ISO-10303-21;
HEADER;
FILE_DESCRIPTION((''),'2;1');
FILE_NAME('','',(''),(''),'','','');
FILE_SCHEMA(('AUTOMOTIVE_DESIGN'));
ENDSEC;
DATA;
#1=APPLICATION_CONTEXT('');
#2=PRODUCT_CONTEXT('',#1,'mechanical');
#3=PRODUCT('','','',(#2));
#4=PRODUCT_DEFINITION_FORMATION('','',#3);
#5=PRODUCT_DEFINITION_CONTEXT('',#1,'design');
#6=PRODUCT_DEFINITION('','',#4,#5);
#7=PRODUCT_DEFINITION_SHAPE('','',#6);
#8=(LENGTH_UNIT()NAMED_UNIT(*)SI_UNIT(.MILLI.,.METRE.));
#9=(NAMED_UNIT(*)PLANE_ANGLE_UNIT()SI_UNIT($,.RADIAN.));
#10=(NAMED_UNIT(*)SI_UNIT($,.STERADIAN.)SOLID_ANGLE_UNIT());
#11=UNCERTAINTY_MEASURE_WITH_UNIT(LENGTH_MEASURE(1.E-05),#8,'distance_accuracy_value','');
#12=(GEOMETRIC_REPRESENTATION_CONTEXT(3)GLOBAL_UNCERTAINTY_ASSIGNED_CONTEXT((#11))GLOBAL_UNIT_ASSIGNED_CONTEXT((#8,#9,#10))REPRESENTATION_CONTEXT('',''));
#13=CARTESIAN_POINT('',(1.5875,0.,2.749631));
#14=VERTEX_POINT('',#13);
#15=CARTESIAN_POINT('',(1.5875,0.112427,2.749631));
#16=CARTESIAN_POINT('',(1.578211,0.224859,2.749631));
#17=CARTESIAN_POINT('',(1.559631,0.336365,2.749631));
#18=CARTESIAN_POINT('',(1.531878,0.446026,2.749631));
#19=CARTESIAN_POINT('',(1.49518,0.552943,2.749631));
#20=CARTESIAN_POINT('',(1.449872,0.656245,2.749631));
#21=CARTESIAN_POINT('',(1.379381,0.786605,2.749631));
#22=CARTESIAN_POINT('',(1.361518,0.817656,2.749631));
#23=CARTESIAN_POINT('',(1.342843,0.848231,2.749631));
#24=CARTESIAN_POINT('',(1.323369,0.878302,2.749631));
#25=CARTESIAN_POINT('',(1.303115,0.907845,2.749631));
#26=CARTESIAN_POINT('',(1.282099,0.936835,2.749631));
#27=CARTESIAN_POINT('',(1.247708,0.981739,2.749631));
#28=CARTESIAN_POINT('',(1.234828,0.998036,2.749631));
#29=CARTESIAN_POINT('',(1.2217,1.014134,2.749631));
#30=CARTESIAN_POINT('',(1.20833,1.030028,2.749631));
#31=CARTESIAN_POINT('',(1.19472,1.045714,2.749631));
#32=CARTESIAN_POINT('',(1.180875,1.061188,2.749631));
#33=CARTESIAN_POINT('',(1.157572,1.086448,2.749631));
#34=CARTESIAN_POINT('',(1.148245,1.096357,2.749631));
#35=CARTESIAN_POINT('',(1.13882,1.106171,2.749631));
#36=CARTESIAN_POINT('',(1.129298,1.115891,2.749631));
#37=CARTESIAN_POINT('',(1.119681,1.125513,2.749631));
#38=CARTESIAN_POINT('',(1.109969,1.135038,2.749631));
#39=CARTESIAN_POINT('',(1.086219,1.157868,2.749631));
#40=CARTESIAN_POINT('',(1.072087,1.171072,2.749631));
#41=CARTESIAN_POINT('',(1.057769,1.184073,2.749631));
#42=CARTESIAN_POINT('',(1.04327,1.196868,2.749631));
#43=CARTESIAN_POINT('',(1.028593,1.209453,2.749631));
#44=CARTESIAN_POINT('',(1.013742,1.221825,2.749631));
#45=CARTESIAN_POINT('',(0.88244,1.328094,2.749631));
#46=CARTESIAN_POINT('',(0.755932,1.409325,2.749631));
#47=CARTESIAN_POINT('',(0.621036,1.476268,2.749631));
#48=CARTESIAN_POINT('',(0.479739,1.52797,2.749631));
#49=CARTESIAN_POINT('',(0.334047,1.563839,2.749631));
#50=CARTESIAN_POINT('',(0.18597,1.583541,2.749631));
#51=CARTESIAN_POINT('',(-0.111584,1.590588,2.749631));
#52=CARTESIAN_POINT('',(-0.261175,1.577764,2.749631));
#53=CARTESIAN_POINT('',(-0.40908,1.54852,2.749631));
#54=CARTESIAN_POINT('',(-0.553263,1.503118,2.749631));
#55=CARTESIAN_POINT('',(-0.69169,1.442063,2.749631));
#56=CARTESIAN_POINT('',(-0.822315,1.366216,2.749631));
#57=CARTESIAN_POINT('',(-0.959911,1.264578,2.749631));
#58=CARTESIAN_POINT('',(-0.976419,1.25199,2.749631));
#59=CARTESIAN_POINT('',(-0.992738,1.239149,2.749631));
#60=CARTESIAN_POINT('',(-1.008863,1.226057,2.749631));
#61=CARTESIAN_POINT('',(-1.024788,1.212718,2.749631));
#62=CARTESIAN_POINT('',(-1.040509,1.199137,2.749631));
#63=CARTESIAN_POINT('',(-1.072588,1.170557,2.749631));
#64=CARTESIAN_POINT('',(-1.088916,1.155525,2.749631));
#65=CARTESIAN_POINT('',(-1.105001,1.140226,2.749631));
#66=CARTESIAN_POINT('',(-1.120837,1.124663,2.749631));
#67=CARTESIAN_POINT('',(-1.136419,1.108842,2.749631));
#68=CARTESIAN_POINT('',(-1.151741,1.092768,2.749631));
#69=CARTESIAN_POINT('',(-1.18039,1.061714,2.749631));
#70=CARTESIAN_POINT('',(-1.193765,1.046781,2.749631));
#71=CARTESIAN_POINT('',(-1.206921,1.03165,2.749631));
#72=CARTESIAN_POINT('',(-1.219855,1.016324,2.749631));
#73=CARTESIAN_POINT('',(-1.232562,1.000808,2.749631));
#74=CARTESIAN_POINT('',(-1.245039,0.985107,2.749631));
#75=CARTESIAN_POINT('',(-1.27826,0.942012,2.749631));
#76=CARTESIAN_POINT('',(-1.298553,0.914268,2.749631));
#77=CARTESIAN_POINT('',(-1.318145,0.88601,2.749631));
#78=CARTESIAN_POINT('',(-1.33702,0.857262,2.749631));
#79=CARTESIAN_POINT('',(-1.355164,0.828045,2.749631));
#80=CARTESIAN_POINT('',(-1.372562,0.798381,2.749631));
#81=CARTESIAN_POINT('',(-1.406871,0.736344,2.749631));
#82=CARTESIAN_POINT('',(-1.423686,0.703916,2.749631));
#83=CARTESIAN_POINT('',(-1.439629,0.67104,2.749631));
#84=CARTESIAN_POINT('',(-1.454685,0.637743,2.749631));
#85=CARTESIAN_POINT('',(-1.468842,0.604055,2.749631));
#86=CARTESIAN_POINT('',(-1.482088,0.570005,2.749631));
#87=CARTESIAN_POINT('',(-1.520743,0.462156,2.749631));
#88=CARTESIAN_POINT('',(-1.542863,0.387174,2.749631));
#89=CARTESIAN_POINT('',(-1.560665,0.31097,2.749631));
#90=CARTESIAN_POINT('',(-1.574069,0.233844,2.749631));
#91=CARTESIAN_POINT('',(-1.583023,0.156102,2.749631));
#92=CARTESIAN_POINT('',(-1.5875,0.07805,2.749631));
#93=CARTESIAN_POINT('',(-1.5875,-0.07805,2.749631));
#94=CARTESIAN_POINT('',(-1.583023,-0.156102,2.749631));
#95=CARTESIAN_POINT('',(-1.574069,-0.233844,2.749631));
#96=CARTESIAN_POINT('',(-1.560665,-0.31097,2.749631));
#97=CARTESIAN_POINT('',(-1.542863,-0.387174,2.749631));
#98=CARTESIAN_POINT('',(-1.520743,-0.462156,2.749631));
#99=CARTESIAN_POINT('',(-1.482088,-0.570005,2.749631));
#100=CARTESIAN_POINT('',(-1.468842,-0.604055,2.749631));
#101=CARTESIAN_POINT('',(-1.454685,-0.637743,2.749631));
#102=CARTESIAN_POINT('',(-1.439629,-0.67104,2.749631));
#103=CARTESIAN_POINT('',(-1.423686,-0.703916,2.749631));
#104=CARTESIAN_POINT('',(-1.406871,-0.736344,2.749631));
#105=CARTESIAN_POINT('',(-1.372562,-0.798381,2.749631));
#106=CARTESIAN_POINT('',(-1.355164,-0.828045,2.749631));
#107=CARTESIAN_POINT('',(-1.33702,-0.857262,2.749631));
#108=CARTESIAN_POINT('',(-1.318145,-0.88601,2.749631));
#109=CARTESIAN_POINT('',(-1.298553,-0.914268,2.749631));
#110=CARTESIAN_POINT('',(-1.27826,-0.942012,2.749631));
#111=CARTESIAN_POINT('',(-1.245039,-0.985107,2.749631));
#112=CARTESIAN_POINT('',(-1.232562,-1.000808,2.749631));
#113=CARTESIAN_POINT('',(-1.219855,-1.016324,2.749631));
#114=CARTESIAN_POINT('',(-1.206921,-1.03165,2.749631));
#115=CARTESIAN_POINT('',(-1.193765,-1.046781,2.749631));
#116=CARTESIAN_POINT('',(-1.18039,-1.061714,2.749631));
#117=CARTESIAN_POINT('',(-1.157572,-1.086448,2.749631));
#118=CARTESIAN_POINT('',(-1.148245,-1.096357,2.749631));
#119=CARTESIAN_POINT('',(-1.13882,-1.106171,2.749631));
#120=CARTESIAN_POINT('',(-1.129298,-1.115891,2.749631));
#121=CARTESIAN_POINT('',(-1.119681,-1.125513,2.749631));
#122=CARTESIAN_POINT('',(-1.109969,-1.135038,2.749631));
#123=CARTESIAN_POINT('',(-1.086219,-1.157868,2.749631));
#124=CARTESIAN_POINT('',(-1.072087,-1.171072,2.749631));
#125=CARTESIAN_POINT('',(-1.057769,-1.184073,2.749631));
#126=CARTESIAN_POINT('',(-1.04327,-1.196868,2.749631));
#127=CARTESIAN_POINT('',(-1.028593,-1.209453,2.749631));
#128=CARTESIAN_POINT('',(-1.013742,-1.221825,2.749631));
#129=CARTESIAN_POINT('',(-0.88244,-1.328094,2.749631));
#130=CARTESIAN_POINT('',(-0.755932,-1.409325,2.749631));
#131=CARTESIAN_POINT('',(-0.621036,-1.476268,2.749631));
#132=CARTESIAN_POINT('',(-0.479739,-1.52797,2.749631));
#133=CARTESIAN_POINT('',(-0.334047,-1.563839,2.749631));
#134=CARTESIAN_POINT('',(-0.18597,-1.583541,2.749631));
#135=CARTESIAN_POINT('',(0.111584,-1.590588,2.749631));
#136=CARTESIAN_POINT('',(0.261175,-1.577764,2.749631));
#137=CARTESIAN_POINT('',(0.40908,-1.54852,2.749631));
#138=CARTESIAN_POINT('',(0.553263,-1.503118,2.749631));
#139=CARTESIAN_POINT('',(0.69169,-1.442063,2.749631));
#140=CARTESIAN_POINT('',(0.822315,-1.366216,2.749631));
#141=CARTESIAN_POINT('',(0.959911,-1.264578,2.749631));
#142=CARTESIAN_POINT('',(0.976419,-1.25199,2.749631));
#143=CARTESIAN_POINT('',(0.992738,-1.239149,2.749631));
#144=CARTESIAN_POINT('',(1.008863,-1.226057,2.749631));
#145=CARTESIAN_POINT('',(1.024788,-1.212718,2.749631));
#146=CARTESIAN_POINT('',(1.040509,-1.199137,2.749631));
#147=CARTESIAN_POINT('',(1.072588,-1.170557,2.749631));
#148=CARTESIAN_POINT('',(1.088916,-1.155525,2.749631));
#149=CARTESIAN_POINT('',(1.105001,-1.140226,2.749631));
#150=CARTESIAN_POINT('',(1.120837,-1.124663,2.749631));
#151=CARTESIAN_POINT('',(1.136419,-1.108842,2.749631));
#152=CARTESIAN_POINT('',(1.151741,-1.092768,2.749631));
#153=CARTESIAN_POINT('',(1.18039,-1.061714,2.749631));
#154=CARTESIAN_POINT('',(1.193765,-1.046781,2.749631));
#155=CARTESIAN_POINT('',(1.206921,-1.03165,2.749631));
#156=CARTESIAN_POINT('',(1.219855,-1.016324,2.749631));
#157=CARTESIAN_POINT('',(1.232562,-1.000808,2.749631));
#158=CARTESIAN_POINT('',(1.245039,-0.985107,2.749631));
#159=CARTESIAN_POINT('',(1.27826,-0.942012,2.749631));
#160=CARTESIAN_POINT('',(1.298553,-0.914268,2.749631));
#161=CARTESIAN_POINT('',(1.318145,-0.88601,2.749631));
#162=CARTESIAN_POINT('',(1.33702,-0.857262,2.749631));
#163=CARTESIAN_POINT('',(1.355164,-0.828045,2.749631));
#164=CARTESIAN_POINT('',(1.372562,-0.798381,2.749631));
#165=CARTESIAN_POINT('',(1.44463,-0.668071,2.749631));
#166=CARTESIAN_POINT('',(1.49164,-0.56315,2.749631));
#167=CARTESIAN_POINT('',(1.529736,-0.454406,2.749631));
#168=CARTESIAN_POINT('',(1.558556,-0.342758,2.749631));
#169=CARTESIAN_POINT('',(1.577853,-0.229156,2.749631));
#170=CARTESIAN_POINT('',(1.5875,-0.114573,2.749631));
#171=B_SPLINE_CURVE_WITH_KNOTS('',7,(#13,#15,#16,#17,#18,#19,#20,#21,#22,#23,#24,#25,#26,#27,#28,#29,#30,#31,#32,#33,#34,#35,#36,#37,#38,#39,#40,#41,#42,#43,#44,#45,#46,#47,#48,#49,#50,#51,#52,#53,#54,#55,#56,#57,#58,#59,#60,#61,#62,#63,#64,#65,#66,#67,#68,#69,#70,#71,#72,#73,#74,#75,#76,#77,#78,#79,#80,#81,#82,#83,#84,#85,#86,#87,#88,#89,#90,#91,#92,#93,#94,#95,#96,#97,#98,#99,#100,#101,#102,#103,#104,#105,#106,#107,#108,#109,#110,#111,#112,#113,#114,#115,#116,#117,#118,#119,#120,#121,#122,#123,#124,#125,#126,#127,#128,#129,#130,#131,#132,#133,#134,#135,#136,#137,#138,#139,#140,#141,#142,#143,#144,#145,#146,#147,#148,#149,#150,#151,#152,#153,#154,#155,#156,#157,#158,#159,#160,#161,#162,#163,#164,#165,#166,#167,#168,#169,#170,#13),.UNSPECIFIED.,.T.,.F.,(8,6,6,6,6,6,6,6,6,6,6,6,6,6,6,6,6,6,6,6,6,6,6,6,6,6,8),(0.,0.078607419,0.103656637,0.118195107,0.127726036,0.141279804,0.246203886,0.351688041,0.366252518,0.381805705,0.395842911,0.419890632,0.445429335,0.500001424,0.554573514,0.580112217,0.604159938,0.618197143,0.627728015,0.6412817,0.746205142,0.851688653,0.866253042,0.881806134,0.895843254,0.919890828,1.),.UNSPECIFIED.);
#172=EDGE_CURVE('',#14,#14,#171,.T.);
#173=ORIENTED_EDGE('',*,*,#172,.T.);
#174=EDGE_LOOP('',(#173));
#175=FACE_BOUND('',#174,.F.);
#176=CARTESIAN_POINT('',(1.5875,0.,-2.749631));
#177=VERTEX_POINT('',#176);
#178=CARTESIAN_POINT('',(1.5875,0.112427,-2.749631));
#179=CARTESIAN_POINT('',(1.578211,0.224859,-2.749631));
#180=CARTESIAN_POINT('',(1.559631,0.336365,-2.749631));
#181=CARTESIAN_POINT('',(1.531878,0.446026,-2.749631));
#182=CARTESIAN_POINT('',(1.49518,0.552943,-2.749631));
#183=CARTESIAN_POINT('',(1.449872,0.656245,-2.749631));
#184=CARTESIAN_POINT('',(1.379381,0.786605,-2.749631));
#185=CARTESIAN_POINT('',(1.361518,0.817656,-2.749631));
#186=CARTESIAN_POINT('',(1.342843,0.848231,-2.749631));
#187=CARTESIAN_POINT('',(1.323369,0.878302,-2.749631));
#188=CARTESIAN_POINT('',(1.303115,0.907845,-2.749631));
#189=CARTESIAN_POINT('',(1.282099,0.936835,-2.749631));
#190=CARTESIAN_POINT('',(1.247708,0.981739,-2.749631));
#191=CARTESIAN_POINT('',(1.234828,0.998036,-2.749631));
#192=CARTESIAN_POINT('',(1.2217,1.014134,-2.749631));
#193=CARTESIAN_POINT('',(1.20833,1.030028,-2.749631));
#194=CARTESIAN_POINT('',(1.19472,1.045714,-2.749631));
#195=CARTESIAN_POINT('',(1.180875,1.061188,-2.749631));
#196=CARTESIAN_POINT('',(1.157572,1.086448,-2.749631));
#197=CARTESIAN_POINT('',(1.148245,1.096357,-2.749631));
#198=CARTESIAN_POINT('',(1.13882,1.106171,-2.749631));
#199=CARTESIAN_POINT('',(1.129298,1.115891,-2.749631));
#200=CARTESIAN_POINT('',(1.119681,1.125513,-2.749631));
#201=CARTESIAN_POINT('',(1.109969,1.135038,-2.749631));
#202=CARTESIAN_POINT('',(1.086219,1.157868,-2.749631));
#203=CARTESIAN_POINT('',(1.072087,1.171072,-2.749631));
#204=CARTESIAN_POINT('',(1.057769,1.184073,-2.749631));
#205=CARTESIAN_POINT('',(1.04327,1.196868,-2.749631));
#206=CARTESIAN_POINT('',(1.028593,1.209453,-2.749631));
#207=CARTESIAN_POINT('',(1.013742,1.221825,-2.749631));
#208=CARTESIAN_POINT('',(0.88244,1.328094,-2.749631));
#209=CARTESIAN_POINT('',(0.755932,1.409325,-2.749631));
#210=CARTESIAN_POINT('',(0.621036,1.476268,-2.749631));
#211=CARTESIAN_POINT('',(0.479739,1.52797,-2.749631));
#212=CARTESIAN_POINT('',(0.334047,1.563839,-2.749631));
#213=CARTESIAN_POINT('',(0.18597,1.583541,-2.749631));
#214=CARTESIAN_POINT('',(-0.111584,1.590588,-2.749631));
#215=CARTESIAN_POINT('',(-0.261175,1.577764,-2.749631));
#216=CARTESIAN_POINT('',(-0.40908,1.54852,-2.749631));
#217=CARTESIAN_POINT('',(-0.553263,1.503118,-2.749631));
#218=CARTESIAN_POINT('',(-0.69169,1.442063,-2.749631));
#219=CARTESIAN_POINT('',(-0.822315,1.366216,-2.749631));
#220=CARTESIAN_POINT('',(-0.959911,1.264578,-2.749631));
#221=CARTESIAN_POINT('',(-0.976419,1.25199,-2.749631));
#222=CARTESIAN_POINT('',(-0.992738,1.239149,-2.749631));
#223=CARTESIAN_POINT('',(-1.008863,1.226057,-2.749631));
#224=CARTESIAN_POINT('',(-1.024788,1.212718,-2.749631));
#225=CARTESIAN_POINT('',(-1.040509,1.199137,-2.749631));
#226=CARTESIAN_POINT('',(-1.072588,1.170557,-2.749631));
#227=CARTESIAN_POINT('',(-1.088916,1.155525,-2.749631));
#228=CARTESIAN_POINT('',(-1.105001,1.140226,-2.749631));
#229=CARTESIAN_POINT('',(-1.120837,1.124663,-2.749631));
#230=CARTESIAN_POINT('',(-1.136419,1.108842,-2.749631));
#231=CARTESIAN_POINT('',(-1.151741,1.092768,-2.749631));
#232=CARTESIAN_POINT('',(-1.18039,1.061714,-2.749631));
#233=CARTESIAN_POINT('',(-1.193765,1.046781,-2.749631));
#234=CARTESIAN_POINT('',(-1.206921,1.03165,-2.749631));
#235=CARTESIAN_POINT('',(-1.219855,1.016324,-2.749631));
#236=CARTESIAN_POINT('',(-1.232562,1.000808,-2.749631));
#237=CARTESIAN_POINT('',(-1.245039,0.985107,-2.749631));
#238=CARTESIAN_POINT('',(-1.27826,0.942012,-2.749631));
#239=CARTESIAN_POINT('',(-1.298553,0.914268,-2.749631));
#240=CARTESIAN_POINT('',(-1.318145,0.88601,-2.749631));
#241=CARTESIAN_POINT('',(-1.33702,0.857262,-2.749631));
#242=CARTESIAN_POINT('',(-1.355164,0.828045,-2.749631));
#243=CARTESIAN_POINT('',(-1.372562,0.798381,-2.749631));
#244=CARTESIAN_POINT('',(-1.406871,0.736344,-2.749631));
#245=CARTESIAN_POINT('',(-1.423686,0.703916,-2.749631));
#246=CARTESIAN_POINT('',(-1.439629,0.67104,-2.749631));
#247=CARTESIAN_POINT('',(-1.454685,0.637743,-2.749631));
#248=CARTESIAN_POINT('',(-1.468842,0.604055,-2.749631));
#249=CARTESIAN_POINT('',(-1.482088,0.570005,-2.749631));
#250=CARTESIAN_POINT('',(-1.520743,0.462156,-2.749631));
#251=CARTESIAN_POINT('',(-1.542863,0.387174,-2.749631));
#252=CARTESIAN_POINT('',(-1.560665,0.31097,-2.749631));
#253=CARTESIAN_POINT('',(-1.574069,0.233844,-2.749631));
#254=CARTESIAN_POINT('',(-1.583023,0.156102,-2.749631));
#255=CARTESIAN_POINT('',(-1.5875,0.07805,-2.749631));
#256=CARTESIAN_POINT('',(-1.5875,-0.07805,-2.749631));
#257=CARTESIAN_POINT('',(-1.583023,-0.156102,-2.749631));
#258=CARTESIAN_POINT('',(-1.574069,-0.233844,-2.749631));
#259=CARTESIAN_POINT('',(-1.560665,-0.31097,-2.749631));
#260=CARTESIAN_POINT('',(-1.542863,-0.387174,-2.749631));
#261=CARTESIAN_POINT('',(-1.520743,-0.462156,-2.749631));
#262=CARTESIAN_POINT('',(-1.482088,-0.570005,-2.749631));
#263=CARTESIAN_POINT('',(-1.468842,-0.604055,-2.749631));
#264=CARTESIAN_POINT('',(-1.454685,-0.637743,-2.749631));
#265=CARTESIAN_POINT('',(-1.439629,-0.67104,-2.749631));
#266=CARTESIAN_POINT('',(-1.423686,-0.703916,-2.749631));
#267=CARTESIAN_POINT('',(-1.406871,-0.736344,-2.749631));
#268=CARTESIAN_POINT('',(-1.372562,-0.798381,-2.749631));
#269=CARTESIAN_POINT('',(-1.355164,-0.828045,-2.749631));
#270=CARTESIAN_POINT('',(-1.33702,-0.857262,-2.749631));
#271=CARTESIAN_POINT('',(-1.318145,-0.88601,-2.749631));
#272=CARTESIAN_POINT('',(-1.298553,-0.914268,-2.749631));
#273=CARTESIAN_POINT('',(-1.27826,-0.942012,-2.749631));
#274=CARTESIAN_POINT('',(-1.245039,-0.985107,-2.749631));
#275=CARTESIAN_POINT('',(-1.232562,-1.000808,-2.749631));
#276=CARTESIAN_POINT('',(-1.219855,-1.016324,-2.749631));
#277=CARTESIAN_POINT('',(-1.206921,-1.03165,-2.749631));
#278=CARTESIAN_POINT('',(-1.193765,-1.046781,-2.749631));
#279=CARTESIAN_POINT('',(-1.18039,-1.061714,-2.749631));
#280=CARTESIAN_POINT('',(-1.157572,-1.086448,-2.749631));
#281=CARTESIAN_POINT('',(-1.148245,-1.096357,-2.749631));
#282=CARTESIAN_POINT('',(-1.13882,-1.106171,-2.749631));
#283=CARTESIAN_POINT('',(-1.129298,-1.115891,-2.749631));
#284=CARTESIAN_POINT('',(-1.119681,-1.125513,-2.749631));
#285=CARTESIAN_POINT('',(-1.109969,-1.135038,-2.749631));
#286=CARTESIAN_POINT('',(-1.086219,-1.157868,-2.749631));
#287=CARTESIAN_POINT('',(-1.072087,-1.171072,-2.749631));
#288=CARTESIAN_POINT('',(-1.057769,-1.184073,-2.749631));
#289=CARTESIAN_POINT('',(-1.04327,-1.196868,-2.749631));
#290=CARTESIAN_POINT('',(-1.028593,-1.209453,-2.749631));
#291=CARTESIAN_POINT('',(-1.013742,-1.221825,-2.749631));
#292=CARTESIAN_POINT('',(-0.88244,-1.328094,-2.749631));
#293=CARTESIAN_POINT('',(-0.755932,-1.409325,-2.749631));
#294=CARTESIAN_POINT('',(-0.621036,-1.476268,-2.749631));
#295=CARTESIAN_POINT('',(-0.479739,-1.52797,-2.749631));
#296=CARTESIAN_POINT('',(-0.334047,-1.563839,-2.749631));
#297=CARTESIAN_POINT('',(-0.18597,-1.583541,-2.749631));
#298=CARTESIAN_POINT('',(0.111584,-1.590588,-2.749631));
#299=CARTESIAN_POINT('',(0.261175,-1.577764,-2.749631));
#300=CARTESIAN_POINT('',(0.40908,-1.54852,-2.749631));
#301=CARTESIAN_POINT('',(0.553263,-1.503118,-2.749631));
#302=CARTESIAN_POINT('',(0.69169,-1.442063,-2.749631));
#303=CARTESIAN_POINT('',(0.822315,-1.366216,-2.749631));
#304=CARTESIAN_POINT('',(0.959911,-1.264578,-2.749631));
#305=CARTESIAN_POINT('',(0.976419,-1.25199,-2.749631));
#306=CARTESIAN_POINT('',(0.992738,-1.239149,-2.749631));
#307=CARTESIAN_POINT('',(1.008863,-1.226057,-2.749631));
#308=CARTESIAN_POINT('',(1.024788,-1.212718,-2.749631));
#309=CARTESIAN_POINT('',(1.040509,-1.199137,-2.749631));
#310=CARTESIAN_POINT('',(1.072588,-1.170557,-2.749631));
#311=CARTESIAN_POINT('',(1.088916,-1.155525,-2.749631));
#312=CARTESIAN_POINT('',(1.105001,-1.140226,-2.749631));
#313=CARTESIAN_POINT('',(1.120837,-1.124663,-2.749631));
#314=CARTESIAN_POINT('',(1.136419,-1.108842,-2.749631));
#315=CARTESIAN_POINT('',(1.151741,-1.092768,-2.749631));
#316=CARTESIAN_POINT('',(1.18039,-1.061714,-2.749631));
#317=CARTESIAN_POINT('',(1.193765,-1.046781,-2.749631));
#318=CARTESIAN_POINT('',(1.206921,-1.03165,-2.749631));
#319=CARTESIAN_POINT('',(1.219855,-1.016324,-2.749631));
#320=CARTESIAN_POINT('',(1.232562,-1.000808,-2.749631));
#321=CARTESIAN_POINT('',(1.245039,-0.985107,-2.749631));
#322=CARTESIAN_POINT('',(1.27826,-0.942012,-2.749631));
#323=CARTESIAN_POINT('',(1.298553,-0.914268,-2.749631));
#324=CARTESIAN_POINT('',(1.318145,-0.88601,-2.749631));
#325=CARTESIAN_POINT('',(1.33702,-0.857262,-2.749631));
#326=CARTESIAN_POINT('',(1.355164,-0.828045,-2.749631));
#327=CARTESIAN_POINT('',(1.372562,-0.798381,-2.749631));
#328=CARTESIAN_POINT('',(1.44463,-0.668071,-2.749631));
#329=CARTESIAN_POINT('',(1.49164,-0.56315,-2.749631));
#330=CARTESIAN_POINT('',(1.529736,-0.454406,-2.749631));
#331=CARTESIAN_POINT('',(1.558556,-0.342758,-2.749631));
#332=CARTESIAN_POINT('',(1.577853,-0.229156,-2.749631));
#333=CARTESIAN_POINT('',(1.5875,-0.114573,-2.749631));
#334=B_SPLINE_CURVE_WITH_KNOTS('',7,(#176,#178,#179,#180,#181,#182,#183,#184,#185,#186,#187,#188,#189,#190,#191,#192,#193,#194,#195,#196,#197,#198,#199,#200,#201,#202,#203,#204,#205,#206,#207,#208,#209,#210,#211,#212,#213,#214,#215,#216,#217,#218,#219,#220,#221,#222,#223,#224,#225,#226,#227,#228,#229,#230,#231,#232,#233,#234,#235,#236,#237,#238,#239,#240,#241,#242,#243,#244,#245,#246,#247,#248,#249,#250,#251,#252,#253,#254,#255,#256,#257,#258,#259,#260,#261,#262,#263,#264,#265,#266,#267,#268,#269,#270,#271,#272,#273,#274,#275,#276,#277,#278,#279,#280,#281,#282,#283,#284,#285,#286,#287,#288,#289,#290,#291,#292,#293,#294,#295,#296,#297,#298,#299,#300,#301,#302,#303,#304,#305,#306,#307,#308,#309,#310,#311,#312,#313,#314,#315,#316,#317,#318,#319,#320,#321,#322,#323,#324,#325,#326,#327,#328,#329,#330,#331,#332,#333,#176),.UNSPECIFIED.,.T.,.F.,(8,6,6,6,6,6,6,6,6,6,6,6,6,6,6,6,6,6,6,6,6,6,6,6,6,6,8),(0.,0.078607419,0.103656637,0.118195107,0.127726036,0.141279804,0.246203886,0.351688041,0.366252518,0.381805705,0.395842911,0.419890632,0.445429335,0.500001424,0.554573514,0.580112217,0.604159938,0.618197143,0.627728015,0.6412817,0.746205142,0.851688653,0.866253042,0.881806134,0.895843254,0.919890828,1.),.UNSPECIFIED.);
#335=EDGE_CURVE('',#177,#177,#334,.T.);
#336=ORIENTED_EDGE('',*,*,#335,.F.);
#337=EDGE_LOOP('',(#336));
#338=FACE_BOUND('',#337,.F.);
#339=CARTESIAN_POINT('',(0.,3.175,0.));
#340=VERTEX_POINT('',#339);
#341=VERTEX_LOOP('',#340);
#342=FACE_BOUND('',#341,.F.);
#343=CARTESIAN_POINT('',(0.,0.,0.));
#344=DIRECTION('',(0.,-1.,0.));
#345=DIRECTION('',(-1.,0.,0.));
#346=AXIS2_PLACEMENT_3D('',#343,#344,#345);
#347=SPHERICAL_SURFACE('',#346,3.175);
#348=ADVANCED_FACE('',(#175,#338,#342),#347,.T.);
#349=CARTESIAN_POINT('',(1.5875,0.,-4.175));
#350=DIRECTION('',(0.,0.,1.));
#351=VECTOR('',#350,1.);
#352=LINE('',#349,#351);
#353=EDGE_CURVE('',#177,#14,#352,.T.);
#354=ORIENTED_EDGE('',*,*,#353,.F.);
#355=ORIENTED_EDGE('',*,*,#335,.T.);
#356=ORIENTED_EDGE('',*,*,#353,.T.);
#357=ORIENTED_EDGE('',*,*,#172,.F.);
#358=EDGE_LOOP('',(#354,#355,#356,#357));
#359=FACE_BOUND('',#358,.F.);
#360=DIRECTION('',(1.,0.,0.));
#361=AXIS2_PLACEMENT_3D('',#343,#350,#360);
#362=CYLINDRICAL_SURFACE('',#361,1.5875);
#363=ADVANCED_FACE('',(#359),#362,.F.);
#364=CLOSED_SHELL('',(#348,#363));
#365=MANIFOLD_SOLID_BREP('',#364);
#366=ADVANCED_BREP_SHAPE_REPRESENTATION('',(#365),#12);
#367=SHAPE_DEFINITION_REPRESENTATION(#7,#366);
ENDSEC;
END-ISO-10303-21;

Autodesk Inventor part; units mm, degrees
ref_plane "YZ Plane" through (0, 0, 0) normal (1, 0, 0) x (0, 1, 0)
ref_plane "XZ Plane" through (0, 0, 0) normal (0, 1, 0) x (-1, 0, 0)
ref_plane "XY Plane" through (0, 0, 0) normal (0, 0, 1) x (1, 0, 0)
sketch "Sketch1" plane through (0, 0, 0) normal (0, 0, 1) x (1, 0, 0)
  line L0 (-4.1275, 0) -> (2.54, 0) construction
  line L1 (0, -4.445) -> (0, 4.445) projected
  circle A0 centre (0, 0) radius 1.5875
  arc A1 (0, 3.175) -> (0, -3.175) centre (0, 0) ccw
  line L2 (0, 3.175) -> (0, -3.175)
  dimension "d0" = 3.175
  dimension "d1" = 6.35
revolve "Revolution1" add sketch "Sketch1" angle 360 about axis through (0, -10, 0) along (0, 1, 0) picked at (-0.4948, -0.1876) contours A1 L1 A0 | A0 L1
extrude "Extrusion1" cut sketch "Sketch1" along normal through all both and the other way through all contours A0 L1 | L1 A0
properties part number "0.25 Ball"
